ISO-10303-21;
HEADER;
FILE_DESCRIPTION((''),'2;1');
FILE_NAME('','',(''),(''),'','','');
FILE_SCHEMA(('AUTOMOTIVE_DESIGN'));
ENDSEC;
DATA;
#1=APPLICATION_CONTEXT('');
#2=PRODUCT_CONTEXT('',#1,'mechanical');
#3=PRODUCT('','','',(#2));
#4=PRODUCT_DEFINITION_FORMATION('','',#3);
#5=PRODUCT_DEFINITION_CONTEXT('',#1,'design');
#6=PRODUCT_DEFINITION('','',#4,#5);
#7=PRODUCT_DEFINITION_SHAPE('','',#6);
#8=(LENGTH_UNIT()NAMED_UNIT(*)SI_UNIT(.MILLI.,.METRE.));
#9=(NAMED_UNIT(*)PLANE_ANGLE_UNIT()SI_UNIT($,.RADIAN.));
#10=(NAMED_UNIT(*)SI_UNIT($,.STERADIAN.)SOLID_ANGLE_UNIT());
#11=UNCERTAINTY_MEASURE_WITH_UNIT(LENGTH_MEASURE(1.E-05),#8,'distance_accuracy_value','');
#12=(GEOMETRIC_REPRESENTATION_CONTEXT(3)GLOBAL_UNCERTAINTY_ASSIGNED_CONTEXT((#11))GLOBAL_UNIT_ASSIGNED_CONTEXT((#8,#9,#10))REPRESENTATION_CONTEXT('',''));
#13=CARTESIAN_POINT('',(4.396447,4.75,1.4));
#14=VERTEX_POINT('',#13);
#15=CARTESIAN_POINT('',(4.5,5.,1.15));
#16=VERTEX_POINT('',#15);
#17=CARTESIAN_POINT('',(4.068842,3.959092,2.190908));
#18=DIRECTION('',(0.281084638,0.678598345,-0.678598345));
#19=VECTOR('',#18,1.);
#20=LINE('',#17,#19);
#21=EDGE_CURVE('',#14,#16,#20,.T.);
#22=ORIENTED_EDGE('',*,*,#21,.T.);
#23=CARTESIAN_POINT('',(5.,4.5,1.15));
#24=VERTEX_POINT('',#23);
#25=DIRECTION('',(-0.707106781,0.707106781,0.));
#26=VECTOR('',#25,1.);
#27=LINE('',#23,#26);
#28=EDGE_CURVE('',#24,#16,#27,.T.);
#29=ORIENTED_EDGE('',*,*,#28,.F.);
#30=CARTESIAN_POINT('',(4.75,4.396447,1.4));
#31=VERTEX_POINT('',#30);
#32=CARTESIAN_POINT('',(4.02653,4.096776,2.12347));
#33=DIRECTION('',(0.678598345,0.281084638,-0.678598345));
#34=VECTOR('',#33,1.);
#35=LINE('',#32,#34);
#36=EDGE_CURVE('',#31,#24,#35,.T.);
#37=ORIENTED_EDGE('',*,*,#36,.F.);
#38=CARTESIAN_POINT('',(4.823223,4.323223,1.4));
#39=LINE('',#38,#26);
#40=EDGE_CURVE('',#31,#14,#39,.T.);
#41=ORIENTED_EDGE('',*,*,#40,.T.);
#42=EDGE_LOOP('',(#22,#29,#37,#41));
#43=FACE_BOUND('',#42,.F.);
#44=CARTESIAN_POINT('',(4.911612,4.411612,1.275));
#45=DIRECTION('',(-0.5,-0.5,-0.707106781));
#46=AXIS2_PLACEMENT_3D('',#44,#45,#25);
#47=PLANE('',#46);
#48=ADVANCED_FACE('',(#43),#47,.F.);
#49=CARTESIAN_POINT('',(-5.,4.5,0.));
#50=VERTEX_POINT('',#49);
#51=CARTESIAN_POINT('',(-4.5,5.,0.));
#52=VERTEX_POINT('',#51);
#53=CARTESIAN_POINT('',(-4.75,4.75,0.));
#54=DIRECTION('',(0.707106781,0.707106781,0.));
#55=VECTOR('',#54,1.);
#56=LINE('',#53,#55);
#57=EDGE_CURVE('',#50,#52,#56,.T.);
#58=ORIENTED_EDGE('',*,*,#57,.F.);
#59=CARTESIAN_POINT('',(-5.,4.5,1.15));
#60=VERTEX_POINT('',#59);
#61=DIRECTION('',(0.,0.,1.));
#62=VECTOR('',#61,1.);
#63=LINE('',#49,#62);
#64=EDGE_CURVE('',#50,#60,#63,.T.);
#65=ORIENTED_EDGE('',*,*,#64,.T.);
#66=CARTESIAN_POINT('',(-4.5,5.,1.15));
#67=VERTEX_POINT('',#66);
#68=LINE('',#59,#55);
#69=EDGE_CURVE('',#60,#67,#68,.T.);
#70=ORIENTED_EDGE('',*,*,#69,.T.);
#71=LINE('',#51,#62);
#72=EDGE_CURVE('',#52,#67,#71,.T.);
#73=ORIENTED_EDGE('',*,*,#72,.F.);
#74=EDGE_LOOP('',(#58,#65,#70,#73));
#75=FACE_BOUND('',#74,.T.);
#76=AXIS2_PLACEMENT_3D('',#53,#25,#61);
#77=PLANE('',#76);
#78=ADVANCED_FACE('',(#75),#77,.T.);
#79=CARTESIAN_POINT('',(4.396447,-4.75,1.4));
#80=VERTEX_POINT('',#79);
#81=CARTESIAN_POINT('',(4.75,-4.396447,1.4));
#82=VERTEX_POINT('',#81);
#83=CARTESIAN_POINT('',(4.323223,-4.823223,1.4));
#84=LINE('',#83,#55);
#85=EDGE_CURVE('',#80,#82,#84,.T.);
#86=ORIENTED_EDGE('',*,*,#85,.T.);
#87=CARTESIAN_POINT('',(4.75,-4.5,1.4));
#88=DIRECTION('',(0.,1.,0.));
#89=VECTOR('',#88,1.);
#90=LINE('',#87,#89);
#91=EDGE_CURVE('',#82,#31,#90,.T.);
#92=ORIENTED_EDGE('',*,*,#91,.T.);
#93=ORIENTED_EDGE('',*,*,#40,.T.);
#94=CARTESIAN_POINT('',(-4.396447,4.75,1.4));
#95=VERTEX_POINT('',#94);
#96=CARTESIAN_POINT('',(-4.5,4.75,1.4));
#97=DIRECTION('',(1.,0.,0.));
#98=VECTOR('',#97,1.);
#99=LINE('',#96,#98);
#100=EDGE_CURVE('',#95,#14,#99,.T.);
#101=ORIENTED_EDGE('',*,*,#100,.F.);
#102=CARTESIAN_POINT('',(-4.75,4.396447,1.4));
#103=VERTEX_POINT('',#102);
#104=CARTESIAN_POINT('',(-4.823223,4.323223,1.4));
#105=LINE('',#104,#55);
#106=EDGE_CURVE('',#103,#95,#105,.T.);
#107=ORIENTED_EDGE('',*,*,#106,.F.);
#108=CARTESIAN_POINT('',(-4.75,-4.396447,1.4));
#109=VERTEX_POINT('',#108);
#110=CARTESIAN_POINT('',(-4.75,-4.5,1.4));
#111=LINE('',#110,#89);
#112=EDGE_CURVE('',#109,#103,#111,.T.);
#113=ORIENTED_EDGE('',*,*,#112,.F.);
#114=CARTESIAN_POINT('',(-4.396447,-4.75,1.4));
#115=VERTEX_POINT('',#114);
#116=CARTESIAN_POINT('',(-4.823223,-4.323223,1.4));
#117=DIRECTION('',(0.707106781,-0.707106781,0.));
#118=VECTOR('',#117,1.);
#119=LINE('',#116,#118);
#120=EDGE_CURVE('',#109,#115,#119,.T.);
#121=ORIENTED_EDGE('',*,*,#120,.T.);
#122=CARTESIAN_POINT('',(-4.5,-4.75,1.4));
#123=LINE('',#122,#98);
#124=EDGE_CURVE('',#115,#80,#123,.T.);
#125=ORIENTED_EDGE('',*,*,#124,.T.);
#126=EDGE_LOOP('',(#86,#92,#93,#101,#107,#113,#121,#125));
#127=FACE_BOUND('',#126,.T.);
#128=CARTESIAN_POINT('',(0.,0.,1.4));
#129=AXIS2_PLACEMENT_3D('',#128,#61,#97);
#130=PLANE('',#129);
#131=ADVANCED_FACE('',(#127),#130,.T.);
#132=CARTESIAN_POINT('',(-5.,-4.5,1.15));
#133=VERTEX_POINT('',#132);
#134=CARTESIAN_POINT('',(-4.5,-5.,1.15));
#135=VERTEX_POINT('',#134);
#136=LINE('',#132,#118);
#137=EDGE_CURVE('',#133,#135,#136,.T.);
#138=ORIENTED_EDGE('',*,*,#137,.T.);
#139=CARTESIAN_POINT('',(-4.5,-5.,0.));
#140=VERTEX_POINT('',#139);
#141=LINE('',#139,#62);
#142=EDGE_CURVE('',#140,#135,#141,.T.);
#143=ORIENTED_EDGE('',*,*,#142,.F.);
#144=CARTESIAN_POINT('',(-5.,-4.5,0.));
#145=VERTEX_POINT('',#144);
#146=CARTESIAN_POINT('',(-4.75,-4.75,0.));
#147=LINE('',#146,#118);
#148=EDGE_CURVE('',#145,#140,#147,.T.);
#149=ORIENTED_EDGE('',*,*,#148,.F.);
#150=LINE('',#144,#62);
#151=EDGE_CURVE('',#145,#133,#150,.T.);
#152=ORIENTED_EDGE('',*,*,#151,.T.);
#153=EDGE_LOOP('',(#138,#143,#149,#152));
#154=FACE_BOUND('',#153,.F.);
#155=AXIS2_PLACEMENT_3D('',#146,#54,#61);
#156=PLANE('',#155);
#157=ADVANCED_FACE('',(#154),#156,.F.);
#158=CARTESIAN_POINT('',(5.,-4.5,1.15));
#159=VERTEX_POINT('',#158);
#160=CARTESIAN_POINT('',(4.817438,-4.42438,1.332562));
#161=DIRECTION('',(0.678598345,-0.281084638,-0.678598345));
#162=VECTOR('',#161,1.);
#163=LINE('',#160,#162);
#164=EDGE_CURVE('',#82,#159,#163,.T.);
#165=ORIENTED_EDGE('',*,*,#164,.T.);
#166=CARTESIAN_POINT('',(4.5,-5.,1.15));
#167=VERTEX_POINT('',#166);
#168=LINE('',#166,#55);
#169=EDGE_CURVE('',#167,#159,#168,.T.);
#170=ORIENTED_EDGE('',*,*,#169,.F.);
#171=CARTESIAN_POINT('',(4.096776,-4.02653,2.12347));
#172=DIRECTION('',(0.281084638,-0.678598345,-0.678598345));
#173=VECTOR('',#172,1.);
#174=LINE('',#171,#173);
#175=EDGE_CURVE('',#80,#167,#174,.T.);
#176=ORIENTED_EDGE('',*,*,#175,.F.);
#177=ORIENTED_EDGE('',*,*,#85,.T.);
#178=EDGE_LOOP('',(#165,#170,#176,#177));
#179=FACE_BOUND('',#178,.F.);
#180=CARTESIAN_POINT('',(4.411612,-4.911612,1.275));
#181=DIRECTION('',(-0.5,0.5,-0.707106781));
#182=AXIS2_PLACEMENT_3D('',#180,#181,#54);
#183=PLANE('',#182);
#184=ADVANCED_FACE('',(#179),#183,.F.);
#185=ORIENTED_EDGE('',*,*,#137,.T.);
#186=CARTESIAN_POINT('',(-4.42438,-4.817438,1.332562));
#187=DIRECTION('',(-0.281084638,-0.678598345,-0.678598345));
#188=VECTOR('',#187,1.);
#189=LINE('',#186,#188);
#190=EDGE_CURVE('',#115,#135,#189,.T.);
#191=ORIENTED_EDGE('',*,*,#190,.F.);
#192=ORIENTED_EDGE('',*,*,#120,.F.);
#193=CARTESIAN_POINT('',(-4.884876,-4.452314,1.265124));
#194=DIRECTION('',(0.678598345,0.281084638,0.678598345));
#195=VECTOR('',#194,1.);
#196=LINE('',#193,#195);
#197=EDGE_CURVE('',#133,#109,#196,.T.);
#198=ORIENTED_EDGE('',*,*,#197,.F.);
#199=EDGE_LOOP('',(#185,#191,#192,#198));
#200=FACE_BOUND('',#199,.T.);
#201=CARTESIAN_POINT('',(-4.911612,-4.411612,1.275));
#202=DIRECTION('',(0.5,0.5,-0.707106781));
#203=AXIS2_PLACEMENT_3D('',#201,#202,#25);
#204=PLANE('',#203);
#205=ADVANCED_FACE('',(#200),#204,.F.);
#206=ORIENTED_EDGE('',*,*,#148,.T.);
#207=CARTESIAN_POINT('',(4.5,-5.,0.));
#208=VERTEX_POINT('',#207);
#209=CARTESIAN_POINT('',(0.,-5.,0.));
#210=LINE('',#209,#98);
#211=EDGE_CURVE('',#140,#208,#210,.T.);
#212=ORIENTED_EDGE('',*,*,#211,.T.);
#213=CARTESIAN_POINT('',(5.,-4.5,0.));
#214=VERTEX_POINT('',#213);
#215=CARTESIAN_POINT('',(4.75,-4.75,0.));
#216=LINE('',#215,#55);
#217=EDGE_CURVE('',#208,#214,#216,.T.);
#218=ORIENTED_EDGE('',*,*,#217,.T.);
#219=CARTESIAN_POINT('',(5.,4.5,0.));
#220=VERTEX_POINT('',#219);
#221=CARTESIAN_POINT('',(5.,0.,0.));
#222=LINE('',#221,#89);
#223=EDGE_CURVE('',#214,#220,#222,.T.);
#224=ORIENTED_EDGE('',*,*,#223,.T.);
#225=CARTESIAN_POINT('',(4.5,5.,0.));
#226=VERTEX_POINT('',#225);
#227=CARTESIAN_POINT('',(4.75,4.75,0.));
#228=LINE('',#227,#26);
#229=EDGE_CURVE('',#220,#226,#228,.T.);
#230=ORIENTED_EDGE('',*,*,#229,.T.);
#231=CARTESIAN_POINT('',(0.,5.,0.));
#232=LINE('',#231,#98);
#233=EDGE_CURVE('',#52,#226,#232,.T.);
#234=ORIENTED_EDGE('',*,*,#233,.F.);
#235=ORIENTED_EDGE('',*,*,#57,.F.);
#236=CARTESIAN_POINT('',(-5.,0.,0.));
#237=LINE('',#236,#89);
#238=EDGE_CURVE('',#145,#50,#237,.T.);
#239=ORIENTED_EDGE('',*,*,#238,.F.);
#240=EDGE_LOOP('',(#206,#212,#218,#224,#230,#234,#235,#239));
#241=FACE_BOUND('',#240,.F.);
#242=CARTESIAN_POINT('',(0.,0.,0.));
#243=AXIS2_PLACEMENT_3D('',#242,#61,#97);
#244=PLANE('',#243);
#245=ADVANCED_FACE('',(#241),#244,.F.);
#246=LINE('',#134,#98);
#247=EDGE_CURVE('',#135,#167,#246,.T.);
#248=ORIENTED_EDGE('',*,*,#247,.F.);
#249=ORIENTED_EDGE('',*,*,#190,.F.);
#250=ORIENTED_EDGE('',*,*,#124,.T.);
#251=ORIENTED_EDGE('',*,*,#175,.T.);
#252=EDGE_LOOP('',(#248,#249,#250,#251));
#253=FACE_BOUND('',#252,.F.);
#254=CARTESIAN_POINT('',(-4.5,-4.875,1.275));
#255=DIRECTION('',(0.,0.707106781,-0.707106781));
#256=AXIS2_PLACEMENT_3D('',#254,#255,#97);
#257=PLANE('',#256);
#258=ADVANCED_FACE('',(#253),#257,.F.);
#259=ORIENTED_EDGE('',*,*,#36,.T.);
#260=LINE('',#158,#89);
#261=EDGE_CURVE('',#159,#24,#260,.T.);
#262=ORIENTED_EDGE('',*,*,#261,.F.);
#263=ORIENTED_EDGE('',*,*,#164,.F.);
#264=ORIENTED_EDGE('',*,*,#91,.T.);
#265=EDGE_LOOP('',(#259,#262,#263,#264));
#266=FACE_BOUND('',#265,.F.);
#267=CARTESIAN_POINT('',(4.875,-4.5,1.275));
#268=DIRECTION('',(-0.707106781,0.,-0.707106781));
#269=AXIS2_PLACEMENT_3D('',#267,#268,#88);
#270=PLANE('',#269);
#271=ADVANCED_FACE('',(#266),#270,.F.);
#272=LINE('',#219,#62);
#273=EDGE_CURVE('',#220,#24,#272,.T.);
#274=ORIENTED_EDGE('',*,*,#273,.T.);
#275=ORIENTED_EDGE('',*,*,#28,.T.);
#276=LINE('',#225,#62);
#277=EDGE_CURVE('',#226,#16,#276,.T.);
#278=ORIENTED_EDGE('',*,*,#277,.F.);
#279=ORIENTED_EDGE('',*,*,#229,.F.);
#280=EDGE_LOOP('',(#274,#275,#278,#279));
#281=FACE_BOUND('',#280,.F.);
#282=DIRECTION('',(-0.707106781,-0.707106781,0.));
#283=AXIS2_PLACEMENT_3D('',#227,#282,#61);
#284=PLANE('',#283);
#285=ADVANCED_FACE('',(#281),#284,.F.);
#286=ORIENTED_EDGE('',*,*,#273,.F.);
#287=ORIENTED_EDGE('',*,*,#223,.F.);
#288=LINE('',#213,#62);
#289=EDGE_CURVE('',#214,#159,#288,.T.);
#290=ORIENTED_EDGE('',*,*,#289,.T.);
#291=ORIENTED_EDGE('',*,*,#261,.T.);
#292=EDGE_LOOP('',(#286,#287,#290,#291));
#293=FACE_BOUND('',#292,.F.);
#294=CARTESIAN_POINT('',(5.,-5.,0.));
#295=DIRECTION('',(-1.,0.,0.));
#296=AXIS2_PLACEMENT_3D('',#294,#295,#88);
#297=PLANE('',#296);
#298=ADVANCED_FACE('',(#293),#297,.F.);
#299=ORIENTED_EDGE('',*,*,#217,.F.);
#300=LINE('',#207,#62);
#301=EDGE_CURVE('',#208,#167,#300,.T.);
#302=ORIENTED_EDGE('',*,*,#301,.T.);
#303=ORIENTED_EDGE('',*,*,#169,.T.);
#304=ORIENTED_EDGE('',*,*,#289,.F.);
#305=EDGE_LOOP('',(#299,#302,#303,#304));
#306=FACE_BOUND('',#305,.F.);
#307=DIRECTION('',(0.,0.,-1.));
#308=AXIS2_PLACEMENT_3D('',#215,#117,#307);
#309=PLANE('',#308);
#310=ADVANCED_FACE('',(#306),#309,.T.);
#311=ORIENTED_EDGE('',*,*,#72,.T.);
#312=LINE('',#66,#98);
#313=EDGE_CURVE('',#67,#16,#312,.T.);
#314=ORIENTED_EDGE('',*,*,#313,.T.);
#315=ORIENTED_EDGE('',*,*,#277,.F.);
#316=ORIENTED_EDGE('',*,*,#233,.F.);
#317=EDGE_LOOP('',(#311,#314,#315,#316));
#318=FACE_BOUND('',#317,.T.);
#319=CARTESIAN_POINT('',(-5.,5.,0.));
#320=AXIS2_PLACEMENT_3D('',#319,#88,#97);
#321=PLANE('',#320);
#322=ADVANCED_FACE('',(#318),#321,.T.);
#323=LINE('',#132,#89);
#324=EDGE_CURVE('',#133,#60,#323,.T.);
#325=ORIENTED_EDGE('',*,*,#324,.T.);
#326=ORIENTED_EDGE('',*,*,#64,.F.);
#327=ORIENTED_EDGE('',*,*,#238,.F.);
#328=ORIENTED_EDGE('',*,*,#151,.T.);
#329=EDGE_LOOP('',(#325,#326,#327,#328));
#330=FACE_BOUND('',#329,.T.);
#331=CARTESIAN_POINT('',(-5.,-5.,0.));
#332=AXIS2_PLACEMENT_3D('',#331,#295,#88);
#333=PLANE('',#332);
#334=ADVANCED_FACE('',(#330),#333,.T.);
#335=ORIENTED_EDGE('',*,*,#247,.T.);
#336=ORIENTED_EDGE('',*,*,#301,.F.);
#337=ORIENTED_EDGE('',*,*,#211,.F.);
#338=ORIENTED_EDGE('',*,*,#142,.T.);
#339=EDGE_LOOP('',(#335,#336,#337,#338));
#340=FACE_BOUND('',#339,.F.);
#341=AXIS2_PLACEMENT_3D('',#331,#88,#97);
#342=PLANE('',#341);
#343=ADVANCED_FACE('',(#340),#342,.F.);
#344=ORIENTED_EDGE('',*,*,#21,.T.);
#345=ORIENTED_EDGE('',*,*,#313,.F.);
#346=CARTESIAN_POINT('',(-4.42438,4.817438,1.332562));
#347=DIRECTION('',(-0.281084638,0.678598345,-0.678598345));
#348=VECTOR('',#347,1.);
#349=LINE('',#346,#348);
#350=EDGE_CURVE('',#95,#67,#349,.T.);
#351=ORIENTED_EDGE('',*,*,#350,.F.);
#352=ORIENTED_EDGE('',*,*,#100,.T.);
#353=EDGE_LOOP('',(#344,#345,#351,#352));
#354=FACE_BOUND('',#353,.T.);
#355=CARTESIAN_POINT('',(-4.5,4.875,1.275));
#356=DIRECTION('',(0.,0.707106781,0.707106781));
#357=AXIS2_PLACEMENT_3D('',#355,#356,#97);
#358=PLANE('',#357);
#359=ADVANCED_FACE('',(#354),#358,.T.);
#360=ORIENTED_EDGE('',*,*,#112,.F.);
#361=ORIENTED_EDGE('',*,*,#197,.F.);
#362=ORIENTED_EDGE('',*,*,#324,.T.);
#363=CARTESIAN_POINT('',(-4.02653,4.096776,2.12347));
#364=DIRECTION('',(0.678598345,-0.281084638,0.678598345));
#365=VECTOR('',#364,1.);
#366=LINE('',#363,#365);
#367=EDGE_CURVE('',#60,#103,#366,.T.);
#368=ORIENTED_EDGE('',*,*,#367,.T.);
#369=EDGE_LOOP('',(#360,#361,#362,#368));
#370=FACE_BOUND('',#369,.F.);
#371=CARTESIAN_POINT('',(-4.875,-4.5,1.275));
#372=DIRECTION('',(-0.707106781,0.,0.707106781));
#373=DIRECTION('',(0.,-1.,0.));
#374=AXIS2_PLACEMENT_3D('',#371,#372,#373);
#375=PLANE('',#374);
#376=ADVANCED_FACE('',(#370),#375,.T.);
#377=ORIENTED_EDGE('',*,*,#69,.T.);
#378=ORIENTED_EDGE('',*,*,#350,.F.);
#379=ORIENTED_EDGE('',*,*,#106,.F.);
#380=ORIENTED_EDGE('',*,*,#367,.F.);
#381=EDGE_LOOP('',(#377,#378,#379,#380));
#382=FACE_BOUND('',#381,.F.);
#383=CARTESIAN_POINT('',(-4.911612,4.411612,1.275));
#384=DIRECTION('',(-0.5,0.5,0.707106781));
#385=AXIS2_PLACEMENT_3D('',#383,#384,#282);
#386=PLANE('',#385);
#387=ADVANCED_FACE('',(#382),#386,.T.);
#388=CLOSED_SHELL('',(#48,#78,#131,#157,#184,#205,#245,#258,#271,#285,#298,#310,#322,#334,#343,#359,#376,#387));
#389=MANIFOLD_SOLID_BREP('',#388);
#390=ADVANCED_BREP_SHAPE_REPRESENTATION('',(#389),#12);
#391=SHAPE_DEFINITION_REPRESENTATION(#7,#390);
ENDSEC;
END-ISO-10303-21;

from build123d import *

# Parameters (mm, degrees)
F0_W     = 10
F0_H     = 10
F1_DEPTH = 1.4
F2_SIZE  = 0.5
F3_SIZE  = 0.25


with BuildPart() as f1:
    # F0 (on Top) → F1 (new body)
    with BuildSketch(Plane.XY):
        Rectangle(F0_W, F0_H)
    extrude(amount=F1_DEPTH)

    # F2
    f2_edges = [f1.edges().sort_by_distance(p)[0] for p in [
        (5, 5, 0.7),
        (-5, 5, 0.7),
        (5, -5, 0.7),
        (-5, -5, 0.7),
    ]]
    chamfer(f2_edges, length=F2_SIZE)

    # F3
    f3_edges = [f1.edges().sort_by_distance(p)[0] for p in [
        (0, 5, 1.4),
        (-5, 0, 1.4),
        (-4.75, 4.75, 1.4),
        (0, -5, 1.4),
        (-4.75, -4.75, 1.4),
        (4.75, -4.75, 1.4),
        (5, 0, 1.4),
        (4.75, 4.75, 1.4),
    ]]
    chamfer(f3_edges, length=F3_SIZE)


solid = f1.part
